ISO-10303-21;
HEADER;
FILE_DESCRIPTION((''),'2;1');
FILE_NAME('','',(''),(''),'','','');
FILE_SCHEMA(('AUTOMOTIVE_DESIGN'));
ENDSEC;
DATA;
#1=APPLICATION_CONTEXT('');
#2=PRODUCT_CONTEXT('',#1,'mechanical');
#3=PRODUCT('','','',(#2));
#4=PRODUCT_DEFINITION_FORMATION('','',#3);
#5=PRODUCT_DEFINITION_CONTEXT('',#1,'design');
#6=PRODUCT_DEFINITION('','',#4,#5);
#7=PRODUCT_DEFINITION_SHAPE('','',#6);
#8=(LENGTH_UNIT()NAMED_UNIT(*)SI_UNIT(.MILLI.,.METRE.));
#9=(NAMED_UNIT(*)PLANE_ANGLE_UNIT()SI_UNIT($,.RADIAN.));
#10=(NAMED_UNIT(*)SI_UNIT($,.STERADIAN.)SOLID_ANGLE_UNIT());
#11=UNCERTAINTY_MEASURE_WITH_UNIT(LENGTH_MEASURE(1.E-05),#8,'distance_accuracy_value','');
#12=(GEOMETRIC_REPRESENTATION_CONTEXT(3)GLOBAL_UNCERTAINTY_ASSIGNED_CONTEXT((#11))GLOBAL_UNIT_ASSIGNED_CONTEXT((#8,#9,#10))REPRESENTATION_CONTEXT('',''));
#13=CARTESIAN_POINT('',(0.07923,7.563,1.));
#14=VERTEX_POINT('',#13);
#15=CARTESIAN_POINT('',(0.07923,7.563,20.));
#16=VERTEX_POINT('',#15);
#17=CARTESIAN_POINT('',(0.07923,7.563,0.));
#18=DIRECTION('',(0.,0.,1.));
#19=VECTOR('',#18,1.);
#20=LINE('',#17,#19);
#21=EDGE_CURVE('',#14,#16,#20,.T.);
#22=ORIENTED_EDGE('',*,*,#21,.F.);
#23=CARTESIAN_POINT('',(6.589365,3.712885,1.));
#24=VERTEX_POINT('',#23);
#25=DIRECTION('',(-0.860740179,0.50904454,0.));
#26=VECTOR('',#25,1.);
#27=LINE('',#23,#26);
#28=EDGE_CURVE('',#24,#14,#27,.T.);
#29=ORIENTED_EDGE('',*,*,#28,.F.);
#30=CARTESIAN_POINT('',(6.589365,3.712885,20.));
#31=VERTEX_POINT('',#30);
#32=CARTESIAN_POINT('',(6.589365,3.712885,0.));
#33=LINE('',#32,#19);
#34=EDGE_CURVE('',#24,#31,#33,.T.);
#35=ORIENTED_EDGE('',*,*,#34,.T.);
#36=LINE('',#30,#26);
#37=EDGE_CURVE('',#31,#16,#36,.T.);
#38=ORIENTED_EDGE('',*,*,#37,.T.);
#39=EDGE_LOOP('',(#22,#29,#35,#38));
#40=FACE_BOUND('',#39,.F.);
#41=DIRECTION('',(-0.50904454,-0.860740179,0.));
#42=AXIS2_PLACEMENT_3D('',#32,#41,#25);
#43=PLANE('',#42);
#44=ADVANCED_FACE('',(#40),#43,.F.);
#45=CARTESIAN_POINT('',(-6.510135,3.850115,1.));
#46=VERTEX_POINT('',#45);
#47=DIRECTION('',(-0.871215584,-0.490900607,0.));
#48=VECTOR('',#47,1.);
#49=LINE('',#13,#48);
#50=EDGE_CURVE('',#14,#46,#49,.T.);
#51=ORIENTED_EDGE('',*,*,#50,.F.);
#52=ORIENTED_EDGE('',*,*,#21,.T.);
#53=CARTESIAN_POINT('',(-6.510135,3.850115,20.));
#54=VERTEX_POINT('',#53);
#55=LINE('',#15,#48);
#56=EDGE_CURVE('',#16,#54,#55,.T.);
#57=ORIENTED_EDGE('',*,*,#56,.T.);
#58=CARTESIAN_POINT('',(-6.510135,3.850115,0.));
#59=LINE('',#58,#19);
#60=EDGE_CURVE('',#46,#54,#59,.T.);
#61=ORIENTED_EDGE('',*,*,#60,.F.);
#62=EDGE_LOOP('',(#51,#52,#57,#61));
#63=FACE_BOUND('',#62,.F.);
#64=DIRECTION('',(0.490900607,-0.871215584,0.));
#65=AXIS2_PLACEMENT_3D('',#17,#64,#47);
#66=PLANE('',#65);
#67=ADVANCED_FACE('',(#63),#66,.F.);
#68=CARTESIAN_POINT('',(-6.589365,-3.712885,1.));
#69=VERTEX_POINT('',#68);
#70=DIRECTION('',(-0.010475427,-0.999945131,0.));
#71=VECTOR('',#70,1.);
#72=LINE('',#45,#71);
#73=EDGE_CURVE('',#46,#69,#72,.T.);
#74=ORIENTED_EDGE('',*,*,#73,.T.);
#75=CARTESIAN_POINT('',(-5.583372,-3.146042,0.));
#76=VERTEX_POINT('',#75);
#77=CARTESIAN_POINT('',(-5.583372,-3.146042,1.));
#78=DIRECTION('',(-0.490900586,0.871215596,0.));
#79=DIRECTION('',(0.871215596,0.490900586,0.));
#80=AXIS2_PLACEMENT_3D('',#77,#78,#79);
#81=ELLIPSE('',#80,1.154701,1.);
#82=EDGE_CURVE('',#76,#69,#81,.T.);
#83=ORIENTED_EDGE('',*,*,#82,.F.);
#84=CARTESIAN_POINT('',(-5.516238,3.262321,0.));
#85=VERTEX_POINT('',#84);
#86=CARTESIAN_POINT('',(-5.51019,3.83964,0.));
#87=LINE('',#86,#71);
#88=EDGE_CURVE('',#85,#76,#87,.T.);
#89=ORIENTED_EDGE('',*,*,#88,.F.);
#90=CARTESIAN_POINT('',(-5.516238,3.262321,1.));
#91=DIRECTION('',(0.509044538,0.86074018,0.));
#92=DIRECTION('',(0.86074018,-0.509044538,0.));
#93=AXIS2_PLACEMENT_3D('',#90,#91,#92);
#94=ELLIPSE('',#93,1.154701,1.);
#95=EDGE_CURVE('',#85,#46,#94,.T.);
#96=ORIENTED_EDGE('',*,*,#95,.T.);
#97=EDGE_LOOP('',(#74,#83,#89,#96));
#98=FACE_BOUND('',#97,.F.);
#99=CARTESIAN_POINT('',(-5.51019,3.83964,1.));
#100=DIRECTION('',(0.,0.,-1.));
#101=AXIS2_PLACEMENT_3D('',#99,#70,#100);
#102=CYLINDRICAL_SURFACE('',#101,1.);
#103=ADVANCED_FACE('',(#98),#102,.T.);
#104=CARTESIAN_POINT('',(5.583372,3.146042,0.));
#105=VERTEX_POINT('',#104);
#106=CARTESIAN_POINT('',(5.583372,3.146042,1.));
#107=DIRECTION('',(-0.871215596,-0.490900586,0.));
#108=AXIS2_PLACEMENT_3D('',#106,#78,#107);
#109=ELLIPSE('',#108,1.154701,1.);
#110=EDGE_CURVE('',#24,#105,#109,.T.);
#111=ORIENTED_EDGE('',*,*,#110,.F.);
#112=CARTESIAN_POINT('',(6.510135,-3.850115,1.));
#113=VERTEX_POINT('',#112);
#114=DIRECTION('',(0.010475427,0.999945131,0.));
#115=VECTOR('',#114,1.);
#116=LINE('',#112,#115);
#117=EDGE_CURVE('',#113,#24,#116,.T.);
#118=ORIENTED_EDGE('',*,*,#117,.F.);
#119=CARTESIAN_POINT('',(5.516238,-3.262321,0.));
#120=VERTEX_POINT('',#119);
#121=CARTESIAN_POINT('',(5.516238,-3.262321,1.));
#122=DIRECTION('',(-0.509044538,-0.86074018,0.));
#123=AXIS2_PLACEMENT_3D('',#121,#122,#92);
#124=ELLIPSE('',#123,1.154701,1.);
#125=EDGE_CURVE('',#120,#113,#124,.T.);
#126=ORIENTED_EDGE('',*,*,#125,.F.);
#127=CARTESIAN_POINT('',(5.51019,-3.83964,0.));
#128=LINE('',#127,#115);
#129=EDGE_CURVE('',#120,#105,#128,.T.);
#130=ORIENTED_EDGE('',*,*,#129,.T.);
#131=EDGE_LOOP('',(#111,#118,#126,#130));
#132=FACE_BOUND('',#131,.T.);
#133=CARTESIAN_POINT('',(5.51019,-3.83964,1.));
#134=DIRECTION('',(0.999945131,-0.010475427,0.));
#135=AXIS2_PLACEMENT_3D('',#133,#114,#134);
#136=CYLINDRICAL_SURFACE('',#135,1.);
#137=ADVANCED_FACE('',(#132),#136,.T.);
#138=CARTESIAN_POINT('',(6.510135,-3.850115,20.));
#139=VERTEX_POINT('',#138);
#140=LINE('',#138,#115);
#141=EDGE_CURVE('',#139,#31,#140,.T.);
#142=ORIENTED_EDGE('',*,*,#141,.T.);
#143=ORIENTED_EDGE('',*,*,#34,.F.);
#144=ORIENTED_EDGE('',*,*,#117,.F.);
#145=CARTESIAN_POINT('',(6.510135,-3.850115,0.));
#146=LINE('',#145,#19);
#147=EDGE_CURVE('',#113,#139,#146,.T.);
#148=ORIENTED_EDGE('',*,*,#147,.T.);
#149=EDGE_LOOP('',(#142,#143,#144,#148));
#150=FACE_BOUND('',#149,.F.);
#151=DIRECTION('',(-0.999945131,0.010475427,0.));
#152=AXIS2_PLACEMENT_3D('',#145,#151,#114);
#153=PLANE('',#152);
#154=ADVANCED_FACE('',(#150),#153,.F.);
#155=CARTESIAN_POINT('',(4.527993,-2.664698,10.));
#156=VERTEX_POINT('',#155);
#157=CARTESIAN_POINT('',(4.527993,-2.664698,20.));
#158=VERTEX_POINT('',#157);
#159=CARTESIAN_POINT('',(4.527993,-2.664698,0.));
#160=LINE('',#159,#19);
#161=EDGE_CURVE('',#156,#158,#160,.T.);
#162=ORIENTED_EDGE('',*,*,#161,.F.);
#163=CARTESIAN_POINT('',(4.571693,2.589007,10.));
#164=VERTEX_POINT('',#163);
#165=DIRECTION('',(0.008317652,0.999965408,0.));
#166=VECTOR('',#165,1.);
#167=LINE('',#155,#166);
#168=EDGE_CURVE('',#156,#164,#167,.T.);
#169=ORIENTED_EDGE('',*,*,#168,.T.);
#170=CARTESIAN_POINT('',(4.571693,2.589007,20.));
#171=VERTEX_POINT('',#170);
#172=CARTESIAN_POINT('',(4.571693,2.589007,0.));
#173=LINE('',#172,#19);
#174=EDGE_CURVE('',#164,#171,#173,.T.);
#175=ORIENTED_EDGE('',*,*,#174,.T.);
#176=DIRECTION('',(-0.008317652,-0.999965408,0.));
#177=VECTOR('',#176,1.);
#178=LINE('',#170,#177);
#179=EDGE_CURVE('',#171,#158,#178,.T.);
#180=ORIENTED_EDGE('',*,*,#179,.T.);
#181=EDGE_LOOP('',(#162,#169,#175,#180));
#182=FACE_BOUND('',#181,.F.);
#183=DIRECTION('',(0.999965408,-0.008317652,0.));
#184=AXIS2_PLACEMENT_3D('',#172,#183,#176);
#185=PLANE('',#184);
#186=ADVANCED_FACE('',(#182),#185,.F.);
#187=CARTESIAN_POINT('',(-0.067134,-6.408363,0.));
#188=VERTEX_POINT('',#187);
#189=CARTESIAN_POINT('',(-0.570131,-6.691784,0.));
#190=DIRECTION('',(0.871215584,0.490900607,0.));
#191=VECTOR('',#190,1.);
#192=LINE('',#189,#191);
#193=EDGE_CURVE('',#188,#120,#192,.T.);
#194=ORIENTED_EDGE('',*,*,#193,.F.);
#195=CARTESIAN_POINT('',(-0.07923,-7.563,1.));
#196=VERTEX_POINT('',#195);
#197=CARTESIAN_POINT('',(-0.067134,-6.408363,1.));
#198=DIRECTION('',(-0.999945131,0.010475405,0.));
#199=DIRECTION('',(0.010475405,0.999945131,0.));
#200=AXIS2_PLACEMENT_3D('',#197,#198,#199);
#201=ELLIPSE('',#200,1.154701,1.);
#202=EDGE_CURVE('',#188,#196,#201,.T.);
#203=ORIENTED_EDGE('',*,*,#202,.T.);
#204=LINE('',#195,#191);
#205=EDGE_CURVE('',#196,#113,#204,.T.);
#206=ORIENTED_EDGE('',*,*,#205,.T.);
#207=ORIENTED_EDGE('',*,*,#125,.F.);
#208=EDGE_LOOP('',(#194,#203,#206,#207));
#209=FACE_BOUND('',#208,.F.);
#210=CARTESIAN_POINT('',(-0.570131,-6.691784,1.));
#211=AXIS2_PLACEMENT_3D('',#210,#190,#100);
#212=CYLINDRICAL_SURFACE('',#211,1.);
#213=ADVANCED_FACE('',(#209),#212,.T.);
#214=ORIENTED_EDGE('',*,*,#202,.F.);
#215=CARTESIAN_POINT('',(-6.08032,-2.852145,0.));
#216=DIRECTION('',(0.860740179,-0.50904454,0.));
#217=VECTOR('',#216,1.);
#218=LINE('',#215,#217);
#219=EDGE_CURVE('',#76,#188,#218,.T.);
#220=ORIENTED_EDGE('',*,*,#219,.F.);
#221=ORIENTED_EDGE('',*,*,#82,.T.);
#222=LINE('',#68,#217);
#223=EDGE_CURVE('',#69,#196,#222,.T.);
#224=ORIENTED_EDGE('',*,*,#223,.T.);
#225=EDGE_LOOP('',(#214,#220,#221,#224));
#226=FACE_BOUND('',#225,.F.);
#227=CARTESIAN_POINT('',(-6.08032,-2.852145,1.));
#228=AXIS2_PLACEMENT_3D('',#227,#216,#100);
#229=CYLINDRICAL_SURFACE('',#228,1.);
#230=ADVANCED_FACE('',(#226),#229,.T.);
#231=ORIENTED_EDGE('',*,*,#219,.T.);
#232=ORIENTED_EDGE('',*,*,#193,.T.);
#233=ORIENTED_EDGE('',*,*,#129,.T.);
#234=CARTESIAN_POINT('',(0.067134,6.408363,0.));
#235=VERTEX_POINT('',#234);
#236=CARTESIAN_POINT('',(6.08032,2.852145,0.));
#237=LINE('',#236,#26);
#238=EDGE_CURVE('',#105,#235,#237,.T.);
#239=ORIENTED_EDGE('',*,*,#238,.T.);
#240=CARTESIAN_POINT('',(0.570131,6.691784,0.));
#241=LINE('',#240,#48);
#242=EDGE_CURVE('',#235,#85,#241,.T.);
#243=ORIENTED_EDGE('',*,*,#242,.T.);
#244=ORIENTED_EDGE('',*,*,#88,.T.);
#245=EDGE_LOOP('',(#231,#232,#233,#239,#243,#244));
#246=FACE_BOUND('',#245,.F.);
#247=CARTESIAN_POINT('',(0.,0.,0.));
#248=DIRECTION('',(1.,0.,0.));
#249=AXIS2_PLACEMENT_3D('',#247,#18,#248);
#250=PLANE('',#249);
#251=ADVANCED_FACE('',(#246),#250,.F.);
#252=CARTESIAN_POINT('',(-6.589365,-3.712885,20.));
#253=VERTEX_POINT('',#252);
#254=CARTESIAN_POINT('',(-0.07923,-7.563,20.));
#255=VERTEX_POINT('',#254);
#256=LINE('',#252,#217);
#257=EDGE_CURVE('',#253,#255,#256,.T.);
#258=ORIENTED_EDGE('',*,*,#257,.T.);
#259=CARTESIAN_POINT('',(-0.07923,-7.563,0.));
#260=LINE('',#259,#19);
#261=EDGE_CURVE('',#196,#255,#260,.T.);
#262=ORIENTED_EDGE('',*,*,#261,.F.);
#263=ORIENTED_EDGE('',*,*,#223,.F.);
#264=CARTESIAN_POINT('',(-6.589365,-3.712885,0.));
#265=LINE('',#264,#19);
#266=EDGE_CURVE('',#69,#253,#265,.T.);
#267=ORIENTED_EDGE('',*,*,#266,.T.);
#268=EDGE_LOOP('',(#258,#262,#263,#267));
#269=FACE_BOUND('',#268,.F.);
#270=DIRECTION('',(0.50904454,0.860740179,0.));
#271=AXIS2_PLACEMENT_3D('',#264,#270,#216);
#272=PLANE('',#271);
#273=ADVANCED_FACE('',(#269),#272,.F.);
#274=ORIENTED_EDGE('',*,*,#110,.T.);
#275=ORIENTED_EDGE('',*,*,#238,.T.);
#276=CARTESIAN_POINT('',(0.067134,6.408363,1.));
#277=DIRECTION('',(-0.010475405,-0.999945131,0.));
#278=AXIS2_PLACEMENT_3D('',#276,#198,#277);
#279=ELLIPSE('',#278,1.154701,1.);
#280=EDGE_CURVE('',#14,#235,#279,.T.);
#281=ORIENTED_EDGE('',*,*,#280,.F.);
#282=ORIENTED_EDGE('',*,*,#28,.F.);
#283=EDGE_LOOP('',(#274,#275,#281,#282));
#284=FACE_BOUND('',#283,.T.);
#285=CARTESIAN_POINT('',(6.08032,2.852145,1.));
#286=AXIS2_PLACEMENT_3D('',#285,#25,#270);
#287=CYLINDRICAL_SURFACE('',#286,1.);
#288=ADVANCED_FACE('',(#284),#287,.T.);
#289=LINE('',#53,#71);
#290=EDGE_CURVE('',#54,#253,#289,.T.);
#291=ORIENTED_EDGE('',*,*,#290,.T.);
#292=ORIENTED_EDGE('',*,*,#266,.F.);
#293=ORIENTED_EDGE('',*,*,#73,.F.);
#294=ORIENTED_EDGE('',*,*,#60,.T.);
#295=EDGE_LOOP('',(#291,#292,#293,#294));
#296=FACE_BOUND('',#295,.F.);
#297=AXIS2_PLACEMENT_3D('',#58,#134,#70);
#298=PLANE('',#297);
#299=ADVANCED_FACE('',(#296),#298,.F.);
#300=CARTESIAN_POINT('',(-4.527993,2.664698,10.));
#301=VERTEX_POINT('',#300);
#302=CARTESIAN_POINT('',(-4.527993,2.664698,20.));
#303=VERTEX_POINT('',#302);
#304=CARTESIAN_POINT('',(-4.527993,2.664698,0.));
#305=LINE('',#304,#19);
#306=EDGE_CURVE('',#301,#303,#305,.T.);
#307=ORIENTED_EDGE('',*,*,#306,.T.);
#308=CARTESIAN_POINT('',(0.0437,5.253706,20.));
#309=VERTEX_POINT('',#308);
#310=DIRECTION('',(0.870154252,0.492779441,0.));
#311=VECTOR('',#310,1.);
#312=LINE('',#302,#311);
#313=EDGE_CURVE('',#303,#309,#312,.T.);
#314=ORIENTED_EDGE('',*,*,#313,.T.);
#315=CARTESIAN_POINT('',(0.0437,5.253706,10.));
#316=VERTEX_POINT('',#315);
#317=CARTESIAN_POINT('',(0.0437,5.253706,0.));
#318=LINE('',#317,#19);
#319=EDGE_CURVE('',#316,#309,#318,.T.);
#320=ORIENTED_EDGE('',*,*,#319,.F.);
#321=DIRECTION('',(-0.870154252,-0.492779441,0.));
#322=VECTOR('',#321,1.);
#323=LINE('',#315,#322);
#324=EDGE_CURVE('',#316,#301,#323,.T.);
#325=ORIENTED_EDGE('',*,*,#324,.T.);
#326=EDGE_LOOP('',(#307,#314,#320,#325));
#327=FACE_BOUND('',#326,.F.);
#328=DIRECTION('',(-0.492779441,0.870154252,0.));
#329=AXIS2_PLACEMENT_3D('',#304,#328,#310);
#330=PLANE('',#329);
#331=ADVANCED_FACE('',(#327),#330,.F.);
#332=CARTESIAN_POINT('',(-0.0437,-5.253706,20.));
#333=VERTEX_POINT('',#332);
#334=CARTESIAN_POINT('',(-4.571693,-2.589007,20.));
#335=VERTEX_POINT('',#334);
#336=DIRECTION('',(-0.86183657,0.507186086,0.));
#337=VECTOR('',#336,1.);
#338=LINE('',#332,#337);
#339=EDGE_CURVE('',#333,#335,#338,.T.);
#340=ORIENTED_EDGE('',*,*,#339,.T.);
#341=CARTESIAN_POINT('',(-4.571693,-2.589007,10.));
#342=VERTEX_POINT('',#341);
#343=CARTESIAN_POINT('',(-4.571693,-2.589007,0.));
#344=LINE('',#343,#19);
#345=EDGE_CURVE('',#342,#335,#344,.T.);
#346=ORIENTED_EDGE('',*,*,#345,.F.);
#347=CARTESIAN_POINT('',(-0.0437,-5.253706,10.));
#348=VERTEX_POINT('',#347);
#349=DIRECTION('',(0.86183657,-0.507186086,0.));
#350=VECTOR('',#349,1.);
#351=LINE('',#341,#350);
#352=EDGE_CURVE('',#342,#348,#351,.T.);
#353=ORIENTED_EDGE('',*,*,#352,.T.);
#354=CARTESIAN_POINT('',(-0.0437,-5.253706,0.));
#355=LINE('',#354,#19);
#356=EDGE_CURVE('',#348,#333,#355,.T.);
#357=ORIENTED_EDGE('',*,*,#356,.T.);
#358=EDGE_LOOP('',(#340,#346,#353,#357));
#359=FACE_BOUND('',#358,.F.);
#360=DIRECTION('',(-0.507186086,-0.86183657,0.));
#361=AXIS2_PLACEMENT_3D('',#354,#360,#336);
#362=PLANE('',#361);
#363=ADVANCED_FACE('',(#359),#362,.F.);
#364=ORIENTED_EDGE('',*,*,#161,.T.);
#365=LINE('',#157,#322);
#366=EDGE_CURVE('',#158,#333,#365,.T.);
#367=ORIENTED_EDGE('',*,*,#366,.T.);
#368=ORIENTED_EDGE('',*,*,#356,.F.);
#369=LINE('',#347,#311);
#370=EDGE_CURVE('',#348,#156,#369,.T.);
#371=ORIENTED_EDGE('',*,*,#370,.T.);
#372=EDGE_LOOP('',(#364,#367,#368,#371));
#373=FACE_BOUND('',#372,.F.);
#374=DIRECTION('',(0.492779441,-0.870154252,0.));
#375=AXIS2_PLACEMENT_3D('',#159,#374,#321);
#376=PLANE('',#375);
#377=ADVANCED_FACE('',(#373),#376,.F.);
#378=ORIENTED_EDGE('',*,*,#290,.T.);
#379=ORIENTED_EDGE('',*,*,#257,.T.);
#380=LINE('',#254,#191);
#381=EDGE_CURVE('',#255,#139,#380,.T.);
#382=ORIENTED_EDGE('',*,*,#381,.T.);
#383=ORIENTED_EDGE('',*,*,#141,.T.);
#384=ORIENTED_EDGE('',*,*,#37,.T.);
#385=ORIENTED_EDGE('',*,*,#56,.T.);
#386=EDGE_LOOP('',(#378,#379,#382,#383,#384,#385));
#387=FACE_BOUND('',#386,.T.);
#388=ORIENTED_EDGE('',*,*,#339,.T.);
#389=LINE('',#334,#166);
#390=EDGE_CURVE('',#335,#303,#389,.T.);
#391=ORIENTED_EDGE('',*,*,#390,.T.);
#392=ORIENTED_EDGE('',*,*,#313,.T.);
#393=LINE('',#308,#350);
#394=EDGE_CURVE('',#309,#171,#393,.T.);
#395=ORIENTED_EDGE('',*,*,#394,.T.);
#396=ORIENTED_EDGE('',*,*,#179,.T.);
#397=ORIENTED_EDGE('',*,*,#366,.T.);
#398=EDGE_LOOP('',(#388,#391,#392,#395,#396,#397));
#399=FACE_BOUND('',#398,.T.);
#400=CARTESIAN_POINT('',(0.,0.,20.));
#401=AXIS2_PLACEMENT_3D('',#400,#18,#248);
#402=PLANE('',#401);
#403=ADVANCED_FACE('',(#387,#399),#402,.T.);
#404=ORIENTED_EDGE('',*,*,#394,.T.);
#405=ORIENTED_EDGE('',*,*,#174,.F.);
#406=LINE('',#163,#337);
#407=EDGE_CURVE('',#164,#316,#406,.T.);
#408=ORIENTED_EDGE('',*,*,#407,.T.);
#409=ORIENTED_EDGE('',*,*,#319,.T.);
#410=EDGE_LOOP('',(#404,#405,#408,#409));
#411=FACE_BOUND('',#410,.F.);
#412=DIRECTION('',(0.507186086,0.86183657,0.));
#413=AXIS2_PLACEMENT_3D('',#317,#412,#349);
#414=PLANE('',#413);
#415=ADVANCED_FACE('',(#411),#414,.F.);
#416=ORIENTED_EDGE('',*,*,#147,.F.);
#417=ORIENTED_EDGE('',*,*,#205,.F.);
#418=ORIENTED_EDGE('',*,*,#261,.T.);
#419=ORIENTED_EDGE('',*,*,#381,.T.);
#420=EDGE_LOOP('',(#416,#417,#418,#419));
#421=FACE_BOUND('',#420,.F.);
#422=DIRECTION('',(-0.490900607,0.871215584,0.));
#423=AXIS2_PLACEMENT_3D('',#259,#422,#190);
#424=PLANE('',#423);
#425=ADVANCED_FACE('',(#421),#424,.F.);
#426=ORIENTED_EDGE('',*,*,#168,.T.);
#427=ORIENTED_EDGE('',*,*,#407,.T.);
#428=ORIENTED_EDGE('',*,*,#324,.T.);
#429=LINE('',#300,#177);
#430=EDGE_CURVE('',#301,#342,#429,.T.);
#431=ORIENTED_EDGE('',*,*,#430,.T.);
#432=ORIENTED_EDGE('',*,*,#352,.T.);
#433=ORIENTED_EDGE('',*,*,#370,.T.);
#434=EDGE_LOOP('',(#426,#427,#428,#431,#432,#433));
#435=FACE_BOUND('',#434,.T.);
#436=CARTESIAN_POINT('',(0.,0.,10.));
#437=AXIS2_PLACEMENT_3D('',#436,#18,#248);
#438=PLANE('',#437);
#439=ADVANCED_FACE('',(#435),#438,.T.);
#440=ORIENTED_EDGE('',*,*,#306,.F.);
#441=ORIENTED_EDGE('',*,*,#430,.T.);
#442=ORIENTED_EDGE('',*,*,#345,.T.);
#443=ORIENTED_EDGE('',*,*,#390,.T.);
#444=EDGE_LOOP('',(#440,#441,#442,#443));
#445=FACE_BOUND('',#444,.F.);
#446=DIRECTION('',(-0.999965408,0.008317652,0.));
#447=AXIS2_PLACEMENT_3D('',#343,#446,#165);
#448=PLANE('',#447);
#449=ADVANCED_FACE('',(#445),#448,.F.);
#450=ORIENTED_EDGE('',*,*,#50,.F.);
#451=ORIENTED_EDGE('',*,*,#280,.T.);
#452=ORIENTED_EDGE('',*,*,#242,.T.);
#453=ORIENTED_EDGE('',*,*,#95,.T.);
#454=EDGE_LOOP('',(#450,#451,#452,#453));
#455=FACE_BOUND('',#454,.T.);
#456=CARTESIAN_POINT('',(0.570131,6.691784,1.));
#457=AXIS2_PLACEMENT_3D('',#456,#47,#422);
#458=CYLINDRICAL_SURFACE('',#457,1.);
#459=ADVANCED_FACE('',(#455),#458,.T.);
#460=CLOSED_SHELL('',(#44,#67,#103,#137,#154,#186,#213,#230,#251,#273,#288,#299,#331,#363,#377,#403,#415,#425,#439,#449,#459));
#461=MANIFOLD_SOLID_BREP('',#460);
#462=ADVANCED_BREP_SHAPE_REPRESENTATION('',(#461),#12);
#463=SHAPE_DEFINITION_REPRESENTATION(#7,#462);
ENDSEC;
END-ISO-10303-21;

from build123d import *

# Parameters (mm, degrees)
F1_DEPTH = 10
F2_DEPTH = 20
F3_R     = 1


with BuildPart() as f1:
    # F0 (on Top) → F1 (new body)
    with BuildSketch(Plane.XY):
        Polygon((4.571693, 2.589007), (0.0437, 5.253706), (-4.527993, 2.664698), (-4.571693, -2.589007), (-0.0437, -5.253706), (4.527993, -2.664698), align=None)
    extrude(amount=F1_DEPTH)

    # F0 (on Top) → F2 (join)
    with BuildSketch(Plane.XY):
        Polygon((6.589365, 3.712885), (0.07923, 7.563), (-6.510135, 3.850115), (-6.589365, -3.712885), (-0.07923, -7.563), (6.510135, -3.850115), align=None)
        Polygon((-4.527993, 2.664698), (0.0437, 5.253706), (4.571693, 2.589007), (4.527993, -2.664698), (-0.0437, -5.253706), (-4.571693, -2.589007), align=None, mode=Mode.SUBTRACT)
    extrude(amount=F2_DEPTH)

    # F3
    f3_edges = [f1.edges().sort_by_distance(p)[0] for p in [
        (3.215452, -5.706557, 0),
        (-3.334297, -5.637942, 0),
        (-6.54975, 0.068615, 0),
        (-3.215452, 5.706557, 0),
        (3.334297, 5.637942, 0),
        (6.54975, -0.068615, 0),
    ]]
    fillet(f3_edges, radius=F3_R)


solid = f1.part
